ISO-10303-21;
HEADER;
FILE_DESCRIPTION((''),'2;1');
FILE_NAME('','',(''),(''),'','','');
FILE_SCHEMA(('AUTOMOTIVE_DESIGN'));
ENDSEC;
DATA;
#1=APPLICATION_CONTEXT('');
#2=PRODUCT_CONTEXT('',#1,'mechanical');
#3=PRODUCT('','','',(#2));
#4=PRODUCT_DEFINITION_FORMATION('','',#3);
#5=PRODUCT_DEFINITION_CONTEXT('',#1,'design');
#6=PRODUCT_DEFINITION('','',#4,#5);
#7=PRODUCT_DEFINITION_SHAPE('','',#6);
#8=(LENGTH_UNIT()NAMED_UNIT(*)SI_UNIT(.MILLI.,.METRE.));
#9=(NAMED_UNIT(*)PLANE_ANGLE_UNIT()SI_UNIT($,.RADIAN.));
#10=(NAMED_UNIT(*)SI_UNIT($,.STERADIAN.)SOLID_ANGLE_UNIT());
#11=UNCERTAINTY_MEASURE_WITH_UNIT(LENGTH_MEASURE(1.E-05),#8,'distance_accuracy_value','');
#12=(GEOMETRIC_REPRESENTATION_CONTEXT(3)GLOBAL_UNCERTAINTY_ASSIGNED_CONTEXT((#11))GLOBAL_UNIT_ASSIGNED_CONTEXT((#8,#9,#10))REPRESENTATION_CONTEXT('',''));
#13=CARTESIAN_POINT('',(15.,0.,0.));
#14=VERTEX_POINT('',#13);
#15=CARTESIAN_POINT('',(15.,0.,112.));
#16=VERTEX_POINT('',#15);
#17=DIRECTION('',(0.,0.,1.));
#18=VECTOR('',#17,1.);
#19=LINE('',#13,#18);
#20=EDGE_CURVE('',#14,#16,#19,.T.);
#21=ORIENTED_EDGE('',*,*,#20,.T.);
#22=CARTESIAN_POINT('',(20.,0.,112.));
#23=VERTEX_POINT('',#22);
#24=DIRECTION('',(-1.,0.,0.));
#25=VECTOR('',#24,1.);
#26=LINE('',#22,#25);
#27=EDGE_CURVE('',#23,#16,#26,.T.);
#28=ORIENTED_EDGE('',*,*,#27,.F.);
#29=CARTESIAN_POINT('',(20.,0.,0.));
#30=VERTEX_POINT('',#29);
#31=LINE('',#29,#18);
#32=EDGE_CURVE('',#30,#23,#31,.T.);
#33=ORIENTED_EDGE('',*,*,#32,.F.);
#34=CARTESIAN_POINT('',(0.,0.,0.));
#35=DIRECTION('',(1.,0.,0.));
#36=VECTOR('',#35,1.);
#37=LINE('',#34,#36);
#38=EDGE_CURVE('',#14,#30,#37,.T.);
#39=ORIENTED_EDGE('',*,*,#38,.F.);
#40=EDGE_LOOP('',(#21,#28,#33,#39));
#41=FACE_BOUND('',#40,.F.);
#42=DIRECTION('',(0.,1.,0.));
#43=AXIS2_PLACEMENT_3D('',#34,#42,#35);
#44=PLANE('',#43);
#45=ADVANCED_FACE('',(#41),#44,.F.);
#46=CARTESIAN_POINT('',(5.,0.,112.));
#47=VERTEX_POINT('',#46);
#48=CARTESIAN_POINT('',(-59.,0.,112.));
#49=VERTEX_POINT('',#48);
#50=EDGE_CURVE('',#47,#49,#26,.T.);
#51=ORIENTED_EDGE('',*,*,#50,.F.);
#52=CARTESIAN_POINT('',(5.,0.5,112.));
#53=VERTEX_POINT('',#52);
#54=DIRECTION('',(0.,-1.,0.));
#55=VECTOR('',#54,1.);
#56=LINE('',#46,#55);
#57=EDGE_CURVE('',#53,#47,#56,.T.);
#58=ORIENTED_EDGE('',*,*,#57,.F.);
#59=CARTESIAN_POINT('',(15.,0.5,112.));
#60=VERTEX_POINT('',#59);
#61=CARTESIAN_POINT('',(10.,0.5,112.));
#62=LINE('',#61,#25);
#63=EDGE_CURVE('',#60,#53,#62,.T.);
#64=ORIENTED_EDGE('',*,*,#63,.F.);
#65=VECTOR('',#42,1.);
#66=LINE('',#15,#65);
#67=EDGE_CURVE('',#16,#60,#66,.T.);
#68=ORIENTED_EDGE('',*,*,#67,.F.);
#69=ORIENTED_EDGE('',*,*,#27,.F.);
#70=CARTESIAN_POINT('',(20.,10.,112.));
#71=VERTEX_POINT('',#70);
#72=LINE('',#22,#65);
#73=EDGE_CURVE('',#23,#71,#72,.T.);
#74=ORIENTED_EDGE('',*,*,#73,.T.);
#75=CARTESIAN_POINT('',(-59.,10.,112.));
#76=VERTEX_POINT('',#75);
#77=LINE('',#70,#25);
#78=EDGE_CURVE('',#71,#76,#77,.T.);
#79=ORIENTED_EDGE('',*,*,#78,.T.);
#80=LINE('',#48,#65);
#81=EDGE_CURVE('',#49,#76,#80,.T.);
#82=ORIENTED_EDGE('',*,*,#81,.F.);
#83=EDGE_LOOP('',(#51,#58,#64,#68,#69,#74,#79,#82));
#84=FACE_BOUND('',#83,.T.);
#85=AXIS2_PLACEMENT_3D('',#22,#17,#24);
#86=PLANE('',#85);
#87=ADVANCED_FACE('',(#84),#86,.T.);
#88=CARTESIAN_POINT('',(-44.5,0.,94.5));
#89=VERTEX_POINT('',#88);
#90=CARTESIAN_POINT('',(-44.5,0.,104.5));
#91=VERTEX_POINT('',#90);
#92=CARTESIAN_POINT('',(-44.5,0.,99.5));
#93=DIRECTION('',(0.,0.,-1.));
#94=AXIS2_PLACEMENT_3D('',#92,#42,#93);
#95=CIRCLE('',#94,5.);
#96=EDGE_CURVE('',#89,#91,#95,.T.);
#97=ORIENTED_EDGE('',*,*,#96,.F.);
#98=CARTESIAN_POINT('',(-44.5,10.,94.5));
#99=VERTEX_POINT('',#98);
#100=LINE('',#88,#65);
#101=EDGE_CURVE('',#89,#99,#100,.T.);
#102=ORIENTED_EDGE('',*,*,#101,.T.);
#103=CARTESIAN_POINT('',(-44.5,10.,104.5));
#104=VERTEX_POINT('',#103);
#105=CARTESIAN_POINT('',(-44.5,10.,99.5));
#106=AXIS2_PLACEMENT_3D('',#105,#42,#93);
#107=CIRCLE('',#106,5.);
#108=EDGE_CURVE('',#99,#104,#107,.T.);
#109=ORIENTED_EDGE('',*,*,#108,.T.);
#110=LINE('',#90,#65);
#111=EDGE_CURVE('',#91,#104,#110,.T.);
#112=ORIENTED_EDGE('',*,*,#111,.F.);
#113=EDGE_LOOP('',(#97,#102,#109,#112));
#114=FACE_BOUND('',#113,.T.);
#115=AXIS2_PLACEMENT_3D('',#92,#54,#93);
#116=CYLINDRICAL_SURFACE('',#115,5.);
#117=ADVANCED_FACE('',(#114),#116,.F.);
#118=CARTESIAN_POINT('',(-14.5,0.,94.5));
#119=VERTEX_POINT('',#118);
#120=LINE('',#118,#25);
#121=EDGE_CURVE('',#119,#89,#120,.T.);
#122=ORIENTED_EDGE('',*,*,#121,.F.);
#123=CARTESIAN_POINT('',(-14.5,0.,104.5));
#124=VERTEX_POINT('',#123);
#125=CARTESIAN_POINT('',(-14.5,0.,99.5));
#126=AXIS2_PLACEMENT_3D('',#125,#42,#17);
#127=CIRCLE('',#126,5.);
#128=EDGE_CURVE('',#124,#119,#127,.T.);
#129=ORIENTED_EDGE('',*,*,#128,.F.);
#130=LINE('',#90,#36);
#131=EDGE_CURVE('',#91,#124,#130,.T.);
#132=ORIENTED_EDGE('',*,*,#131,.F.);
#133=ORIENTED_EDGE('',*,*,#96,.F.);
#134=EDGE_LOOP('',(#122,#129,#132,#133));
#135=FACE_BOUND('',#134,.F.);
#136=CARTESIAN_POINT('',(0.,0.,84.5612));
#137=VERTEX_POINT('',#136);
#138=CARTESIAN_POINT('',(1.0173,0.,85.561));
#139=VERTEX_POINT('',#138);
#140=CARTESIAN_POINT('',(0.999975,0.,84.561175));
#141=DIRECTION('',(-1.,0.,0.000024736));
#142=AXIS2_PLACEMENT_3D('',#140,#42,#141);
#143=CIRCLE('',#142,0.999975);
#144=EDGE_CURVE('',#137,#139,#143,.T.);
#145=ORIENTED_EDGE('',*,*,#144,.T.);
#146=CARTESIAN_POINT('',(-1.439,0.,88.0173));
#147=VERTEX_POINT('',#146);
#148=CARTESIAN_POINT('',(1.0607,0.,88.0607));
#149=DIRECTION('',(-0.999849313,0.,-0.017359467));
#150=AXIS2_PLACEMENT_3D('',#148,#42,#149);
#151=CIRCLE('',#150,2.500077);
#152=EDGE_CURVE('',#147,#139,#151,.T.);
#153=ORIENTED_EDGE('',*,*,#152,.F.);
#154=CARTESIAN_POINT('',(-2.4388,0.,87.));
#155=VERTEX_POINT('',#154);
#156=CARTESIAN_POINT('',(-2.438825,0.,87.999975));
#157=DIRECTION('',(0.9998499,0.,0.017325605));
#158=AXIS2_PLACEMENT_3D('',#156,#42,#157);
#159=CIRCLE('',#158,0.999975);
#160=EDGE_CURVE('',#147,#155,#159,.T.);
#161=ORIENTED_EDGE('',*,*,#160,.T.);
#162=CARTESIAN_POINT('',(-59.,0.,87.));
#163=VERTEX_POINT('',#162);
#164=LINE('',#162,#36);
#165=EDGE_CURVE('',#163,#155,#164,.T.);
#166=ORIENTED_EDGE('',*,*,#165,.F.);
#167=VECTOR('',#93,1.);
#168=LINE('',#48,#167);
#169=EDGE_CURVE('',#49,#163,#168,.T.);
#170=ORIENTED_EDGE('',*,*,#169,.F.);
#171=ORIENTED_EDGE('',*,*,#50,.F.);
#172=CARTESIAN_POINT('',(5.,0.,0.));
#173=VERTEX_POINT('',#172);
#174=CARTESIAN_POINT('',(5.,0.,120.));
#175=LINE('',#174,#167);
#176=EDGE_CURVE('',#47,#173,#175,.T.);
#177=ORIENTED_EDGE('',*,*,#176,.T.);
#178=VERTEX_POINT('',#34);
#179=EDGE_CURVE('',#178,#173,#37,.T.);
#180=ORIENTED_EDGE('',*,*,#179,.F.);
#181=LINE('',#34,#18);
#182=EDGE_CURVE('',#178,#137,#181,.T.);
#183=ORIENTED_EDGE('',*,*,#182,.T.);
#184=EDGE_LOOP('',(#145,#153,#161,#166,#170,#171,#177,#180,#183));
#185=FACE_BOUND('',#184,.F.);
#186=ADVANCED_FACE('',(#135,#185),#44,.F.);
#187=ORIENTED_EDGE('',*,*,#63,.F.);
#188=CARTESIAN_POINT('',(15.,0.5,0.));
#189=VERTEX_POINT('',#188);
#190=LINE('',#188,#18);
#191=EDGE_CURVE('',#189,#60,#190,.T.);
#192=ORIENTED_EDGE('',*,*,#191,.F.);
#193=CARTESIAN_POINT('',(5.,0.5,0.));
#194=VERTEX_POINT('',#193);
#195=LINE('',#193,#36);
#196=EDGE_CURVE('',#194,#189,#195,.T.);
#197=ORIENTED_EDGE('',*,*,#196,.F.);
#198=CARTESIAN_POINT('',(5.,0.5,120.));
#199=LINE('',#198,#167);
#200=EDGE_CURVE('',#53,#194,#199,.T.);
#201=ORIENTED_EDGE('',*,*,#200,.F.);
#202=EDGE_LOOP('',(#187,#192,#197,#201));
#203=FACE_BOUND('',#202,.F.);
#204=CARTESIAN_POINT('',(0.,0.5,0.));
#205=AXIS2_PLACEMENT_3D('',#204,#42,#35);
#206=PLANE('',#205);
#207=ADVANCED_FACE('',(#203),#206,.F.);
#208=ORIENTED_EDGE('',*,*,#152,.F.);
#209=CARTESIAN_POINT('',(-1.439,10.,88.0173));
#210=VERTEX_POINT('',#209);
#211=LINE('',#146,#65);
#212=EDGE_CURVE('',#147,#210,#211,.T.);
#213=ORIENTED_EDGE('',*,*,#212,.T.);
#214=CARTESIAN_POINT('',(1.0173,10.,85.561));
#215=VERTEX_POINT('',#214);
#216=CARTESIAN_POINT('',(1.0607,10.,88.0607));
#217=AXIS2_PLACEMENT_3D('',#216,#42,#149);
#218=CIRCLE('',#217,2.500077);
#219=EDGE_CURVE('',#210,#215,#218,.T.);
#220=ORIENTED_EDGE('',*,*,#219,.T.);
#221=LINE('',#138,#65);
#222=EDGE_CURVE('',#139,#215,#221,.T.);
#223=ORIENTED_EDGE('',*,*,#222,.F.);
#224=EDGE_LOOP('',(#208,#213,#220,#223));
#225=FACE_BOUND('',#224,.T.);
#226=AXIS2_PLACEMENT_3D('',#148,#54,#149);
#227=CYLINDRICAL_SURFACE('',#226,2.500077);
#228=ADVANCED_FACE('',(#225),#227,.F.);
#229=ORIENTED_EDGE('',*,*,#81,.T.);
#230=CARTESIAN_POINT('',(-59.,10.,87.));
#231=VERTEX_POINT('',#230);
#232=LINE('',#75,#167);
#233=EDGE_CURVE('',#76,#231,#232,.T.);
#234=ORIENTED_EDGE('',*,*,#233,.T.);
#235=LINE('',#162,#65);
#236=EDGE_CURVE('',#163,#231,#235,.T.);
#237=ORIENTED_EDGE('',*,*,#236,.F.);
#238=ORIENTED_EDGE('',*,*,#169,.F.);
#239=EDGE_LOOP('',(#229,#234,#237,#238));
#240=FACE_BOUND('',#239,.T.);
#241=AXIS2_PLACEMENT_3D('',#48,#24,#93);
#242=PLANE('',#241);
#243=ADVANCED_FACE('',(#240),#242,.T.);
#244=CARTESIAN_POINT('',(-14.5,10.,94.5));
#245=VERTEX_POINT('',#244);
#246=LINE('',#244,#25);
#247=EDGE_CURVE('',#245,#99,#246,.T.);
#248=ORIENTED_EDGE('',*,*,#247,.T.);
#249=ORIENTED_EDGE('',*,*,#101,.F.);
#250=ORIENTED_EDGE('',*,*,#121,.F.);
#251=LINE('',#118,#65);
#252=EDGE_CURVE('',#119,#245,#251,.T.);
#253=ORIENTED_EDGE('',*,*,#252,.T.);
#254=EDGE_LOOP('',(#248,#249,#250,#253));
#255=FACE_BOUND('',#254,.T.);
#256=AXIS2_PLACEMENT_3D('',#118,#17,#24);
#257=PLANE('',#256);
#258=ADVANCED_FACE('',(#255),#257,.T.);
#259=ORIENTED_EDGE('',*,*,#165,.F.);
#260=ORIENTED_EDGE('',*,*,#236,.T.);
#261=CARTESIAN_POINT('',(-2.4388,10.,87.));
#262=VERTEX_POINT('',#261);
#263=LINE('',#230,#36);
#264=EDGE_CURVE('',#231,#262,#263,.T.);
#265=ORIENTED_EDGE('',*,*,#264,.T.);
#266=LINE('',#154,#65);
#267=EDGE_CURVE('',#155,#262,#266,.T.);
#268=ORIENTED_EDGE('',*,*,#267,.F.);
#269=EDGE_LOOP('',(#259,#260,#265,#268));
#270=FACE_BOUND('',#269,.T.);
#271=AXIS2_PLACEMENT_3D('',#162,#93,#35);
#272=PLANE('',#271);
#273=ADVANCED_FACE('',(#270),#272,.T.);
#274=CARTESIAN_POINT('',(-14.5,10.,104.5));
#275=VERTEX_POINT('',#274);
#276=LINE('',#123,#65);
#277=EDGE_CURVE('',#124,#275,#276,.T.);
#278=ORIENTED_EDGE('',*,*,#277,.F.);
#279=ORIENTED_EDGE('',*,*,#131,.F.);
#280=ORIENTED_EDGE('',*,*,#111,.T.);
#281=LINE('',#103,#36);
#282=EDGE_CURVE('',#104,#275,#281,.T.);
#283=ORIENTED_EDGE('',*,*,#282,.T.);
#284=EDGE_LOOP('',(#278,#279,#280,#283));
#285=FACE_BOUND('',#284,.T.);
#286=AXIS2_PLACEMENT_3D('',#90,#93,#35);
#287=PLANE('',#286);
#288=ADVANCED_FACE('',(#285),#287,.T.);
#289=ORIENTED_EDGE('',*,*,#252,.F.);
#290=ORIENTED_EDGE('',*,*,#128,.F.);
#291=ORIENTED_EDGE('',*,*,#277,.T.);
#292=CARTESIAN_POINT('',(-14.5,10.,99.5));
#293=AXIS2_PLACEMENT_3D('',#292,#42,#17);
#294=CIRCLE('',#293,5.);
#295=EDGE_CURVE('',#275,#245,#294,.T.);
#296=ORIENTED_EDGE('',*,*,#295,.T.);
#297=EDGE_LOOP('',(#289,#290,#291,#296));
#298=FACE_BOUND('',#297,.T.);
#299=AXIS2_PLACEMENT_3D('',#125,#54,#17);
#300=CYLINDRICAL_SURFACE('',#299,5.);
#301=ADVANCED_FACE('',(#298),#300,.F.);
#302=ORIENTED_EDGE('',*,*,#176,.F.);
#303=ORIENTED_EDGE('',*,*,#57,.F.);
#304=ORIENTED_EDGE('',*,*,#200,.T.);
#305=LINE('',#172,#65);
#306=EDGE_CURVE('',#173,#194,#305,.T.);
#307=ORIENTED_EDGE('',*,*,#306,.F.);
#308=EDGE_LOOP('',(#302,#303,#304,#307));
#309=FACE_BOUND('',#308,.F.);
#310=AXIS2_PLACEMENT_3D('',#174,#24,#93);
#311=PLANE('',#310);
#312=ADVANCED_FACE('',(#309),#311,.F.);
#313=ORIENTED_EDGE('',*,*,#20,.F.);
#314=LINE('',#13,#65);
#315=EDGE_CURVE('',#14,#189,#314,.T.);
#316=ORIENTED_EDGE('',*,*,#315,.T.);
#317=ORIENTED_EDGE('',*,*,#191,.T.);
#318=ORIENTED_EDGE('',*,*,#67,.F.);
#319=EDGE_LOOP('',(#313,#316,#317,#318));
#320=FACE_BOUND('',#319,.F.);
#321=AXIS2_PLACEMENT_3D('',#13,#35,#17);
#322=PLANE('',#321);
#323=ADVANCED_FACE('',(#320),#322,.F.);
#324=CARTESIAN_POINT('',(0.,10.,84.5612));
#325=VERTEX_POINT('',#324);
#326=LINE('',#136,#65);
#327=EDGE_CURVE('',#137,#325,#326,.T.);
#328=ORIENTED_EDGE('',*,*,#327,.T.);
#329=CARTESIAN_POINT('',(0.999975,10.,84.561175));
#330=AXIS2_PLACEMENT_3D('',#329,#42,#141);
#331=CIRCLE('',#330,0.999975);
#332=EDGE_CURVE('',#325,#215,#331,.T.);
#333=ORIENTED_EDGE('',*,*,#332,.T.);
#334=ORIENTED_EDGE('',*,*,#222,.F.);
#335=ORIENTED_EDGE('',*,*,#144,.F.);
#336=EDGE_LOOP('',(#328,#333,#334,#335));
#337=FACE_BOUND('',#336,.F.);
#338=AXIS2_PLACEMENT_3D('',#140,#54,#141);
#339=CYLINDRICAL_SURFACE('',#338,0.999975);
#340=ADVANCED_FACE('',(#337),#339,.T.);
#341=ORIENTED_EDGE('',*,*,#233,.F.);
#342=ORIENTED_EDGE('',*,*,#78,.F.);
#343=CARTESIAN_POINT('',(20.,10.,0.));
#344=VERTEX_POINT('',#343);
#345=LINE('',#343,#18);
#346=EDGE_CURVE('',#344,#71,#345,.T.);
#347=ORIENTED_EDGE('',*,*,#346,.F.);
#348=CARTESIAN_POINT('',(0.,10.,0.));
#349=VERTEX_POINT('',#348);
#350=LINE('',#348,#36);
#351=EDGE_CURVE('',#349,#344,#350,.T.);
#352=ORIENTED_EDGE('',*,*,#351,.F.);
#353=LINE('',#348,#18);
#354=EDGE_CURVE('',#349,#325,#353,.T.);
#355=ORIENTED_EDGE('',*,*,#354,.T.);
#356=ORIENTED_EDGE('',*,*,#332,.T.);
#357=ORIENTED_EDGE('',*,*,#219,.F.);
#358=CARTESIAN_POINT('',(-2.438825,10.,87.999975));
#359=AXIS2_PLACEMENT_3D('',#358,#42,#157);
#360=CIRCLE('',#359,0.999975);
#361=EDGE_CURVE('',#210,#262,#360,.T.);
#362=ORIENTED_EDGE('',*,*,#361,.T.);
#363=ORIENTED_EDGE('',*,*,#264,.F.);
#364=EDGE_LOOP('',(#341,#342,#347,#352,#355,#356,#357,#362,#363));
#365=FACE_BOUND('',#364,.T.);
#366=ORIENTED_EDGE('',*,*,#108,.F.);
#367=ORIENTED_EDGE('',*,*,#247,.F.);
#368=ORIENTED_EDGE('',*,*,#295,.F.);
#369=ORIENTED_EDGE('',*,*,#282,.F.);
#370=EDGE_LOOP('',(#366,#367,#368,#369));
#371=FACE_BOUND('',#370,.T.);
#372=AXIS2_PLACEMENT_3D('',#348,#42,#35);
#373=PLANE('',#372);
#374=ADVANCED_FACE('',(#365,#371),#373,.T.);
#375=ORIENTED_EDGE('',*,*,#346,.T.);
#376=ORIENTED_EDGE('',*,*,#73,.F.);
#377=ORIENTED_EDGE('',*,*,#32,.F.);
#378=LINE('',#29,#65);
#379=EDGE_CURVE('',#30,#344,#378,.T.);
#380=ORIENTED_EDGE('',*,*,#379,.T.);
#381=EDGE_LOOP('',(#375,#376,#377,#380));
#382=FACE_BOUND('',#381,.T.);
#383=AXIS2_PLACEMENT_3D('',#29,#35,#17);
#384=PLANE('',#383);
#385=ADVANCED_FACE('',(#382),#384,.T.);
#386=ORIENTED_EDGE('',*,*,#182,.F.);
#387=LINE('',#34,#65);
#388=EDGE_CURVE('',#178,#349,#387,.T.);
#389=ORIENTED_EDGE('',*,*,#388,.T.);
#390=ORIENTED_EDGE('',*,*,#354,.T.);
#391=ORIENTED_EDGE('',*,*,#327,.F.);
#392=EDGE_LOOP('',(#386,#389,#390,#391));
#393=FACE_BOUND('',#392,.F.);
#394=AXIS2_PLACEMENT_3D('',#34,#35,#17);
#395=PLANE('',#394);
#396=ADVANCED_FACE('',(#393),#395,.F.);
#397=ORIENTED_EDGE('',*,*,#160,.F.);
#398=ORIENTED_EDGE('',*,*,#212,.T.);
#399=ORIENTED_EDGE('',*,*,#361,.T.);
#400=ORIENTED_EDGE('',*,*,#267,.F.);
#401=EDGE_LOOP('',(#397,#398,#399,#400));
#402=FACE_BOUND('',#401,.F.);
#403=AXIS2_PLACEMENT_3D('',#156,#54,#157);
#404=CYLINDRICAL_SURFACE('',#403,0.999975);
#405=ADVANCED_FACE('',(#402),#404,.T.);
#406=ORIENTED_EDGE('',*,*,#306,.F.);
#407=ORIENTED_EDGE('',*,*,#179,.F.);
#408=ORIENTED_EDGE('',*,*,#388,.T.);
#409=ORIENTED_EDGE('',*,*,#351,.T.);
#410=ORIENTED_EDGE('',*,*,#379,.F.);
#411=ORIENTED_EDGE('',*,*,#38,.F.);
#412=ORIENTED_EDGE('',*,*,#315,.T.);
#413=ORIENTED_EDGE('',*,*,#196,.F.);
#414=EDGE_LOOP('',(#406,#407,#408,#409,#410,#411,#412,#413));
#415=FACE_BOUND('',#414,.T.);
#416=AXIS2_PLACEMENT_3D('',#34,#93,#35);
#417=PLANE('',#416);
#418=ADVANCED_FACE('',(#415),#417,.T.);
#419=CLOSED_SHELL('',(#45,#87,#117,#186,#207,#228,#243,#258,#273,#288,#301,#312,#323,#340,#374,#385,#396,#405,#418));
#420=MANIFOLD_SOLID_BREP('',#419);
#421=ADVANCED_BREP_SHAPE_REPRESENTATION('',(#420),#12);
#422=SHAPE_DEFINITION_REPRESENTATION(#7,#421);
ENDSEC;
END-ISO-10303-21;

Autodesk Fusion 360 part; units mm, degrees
sketch "Sketch1" plane through (0, 0, 0) normal (0, 1, 0) x (1, 0, 0)
  line L0 (0, 0) -> (20, 0)
  line L1 (20, 0) -> (20, -112)
  line L2 (20, -112) -> (-59, -112)
  line L3 (-59, -112) -> (-59, -87)
  line L4 (-59, -87) -> (-2.4388, -87)
  line L5 (0, 0) -> (0, -84.5612)
  line L6 (0, -87) -> (1.0607, -88.0607) construction
  line L7 (0, -87) -> (2, -87) construction
  arc A0 (-1.439, -88.0173) -> (1.0173, -85.561) centre (1.0607, -88.0607) ccw
  arc A1 (0, -84.5612) -> (1.0173, -85.561) centre (1, -84.5612) ccw
  arc A2 (-1.439, -88.0173) -> (-2.4388, -87) centre (-2.4388, -88) ccw
  line L8 (-59, -99.5) -> (-49.5, -99.5) construction
  line L9 (-27.9553, -112) -> (-27.9553, -104.5) construction
  line L10 (-27.9553, -87) -> (-27.9553, -94.5) construction
  line L11 (-14.5, -94.5) -> (-44.5, -94.5)
  line L12 (-44.5, -104.5) -> (-14.5, -104.5)
  arc A3 (-14.5, -104.5) -> (-14.5, -94.5) centre (-14.5, -99.5) ccw
  arc A4 (-44.5, -94.5) -> (-44.5, -104.5) centre (-44.5, -99.5) ccw
  point P0 (0, -85.7968)
  dimension "d1" = 20
  dimension "d2" = 112
  dimension "d3" = 79
  dimension "d5" = 59
  dimension "d8" = 45
  dimension "d9" = 1.5
  dimension "d10" = 5
  dimension "d11" = 25
  dimension "d12" = 85.7968
  dimension "d13" = 1
  dimension "d14" = 9.5
  dimension "d15" = 7.5
  dimension "d16" = 7.5
  dimension "d17" = 10
  dimension "d18" = 30
  dimension "d19" = 10
extrude "Extrude1" add sketch "Sketch1" along normal blind 10
sketch "Sketch3" plane through (0, 0, 0) normal (0, 1, 0) x (1, 0, 0)
  line L0 (0, 0) -> (5, 0) construction
  line L1 (5, 0) -> (15, 0)
  line L2 (15, 0) -> (15, -120)
  line L3 (15, -120) -> (5, -120)
  line L4 (5, -120) -> (5, 0)
  dimension "d26" = 5
  dimension "d27" = 10
  dimension "d28" = 120
extrude "Extrude2" cut sketch "Sketch3" along normal blind 0.5
